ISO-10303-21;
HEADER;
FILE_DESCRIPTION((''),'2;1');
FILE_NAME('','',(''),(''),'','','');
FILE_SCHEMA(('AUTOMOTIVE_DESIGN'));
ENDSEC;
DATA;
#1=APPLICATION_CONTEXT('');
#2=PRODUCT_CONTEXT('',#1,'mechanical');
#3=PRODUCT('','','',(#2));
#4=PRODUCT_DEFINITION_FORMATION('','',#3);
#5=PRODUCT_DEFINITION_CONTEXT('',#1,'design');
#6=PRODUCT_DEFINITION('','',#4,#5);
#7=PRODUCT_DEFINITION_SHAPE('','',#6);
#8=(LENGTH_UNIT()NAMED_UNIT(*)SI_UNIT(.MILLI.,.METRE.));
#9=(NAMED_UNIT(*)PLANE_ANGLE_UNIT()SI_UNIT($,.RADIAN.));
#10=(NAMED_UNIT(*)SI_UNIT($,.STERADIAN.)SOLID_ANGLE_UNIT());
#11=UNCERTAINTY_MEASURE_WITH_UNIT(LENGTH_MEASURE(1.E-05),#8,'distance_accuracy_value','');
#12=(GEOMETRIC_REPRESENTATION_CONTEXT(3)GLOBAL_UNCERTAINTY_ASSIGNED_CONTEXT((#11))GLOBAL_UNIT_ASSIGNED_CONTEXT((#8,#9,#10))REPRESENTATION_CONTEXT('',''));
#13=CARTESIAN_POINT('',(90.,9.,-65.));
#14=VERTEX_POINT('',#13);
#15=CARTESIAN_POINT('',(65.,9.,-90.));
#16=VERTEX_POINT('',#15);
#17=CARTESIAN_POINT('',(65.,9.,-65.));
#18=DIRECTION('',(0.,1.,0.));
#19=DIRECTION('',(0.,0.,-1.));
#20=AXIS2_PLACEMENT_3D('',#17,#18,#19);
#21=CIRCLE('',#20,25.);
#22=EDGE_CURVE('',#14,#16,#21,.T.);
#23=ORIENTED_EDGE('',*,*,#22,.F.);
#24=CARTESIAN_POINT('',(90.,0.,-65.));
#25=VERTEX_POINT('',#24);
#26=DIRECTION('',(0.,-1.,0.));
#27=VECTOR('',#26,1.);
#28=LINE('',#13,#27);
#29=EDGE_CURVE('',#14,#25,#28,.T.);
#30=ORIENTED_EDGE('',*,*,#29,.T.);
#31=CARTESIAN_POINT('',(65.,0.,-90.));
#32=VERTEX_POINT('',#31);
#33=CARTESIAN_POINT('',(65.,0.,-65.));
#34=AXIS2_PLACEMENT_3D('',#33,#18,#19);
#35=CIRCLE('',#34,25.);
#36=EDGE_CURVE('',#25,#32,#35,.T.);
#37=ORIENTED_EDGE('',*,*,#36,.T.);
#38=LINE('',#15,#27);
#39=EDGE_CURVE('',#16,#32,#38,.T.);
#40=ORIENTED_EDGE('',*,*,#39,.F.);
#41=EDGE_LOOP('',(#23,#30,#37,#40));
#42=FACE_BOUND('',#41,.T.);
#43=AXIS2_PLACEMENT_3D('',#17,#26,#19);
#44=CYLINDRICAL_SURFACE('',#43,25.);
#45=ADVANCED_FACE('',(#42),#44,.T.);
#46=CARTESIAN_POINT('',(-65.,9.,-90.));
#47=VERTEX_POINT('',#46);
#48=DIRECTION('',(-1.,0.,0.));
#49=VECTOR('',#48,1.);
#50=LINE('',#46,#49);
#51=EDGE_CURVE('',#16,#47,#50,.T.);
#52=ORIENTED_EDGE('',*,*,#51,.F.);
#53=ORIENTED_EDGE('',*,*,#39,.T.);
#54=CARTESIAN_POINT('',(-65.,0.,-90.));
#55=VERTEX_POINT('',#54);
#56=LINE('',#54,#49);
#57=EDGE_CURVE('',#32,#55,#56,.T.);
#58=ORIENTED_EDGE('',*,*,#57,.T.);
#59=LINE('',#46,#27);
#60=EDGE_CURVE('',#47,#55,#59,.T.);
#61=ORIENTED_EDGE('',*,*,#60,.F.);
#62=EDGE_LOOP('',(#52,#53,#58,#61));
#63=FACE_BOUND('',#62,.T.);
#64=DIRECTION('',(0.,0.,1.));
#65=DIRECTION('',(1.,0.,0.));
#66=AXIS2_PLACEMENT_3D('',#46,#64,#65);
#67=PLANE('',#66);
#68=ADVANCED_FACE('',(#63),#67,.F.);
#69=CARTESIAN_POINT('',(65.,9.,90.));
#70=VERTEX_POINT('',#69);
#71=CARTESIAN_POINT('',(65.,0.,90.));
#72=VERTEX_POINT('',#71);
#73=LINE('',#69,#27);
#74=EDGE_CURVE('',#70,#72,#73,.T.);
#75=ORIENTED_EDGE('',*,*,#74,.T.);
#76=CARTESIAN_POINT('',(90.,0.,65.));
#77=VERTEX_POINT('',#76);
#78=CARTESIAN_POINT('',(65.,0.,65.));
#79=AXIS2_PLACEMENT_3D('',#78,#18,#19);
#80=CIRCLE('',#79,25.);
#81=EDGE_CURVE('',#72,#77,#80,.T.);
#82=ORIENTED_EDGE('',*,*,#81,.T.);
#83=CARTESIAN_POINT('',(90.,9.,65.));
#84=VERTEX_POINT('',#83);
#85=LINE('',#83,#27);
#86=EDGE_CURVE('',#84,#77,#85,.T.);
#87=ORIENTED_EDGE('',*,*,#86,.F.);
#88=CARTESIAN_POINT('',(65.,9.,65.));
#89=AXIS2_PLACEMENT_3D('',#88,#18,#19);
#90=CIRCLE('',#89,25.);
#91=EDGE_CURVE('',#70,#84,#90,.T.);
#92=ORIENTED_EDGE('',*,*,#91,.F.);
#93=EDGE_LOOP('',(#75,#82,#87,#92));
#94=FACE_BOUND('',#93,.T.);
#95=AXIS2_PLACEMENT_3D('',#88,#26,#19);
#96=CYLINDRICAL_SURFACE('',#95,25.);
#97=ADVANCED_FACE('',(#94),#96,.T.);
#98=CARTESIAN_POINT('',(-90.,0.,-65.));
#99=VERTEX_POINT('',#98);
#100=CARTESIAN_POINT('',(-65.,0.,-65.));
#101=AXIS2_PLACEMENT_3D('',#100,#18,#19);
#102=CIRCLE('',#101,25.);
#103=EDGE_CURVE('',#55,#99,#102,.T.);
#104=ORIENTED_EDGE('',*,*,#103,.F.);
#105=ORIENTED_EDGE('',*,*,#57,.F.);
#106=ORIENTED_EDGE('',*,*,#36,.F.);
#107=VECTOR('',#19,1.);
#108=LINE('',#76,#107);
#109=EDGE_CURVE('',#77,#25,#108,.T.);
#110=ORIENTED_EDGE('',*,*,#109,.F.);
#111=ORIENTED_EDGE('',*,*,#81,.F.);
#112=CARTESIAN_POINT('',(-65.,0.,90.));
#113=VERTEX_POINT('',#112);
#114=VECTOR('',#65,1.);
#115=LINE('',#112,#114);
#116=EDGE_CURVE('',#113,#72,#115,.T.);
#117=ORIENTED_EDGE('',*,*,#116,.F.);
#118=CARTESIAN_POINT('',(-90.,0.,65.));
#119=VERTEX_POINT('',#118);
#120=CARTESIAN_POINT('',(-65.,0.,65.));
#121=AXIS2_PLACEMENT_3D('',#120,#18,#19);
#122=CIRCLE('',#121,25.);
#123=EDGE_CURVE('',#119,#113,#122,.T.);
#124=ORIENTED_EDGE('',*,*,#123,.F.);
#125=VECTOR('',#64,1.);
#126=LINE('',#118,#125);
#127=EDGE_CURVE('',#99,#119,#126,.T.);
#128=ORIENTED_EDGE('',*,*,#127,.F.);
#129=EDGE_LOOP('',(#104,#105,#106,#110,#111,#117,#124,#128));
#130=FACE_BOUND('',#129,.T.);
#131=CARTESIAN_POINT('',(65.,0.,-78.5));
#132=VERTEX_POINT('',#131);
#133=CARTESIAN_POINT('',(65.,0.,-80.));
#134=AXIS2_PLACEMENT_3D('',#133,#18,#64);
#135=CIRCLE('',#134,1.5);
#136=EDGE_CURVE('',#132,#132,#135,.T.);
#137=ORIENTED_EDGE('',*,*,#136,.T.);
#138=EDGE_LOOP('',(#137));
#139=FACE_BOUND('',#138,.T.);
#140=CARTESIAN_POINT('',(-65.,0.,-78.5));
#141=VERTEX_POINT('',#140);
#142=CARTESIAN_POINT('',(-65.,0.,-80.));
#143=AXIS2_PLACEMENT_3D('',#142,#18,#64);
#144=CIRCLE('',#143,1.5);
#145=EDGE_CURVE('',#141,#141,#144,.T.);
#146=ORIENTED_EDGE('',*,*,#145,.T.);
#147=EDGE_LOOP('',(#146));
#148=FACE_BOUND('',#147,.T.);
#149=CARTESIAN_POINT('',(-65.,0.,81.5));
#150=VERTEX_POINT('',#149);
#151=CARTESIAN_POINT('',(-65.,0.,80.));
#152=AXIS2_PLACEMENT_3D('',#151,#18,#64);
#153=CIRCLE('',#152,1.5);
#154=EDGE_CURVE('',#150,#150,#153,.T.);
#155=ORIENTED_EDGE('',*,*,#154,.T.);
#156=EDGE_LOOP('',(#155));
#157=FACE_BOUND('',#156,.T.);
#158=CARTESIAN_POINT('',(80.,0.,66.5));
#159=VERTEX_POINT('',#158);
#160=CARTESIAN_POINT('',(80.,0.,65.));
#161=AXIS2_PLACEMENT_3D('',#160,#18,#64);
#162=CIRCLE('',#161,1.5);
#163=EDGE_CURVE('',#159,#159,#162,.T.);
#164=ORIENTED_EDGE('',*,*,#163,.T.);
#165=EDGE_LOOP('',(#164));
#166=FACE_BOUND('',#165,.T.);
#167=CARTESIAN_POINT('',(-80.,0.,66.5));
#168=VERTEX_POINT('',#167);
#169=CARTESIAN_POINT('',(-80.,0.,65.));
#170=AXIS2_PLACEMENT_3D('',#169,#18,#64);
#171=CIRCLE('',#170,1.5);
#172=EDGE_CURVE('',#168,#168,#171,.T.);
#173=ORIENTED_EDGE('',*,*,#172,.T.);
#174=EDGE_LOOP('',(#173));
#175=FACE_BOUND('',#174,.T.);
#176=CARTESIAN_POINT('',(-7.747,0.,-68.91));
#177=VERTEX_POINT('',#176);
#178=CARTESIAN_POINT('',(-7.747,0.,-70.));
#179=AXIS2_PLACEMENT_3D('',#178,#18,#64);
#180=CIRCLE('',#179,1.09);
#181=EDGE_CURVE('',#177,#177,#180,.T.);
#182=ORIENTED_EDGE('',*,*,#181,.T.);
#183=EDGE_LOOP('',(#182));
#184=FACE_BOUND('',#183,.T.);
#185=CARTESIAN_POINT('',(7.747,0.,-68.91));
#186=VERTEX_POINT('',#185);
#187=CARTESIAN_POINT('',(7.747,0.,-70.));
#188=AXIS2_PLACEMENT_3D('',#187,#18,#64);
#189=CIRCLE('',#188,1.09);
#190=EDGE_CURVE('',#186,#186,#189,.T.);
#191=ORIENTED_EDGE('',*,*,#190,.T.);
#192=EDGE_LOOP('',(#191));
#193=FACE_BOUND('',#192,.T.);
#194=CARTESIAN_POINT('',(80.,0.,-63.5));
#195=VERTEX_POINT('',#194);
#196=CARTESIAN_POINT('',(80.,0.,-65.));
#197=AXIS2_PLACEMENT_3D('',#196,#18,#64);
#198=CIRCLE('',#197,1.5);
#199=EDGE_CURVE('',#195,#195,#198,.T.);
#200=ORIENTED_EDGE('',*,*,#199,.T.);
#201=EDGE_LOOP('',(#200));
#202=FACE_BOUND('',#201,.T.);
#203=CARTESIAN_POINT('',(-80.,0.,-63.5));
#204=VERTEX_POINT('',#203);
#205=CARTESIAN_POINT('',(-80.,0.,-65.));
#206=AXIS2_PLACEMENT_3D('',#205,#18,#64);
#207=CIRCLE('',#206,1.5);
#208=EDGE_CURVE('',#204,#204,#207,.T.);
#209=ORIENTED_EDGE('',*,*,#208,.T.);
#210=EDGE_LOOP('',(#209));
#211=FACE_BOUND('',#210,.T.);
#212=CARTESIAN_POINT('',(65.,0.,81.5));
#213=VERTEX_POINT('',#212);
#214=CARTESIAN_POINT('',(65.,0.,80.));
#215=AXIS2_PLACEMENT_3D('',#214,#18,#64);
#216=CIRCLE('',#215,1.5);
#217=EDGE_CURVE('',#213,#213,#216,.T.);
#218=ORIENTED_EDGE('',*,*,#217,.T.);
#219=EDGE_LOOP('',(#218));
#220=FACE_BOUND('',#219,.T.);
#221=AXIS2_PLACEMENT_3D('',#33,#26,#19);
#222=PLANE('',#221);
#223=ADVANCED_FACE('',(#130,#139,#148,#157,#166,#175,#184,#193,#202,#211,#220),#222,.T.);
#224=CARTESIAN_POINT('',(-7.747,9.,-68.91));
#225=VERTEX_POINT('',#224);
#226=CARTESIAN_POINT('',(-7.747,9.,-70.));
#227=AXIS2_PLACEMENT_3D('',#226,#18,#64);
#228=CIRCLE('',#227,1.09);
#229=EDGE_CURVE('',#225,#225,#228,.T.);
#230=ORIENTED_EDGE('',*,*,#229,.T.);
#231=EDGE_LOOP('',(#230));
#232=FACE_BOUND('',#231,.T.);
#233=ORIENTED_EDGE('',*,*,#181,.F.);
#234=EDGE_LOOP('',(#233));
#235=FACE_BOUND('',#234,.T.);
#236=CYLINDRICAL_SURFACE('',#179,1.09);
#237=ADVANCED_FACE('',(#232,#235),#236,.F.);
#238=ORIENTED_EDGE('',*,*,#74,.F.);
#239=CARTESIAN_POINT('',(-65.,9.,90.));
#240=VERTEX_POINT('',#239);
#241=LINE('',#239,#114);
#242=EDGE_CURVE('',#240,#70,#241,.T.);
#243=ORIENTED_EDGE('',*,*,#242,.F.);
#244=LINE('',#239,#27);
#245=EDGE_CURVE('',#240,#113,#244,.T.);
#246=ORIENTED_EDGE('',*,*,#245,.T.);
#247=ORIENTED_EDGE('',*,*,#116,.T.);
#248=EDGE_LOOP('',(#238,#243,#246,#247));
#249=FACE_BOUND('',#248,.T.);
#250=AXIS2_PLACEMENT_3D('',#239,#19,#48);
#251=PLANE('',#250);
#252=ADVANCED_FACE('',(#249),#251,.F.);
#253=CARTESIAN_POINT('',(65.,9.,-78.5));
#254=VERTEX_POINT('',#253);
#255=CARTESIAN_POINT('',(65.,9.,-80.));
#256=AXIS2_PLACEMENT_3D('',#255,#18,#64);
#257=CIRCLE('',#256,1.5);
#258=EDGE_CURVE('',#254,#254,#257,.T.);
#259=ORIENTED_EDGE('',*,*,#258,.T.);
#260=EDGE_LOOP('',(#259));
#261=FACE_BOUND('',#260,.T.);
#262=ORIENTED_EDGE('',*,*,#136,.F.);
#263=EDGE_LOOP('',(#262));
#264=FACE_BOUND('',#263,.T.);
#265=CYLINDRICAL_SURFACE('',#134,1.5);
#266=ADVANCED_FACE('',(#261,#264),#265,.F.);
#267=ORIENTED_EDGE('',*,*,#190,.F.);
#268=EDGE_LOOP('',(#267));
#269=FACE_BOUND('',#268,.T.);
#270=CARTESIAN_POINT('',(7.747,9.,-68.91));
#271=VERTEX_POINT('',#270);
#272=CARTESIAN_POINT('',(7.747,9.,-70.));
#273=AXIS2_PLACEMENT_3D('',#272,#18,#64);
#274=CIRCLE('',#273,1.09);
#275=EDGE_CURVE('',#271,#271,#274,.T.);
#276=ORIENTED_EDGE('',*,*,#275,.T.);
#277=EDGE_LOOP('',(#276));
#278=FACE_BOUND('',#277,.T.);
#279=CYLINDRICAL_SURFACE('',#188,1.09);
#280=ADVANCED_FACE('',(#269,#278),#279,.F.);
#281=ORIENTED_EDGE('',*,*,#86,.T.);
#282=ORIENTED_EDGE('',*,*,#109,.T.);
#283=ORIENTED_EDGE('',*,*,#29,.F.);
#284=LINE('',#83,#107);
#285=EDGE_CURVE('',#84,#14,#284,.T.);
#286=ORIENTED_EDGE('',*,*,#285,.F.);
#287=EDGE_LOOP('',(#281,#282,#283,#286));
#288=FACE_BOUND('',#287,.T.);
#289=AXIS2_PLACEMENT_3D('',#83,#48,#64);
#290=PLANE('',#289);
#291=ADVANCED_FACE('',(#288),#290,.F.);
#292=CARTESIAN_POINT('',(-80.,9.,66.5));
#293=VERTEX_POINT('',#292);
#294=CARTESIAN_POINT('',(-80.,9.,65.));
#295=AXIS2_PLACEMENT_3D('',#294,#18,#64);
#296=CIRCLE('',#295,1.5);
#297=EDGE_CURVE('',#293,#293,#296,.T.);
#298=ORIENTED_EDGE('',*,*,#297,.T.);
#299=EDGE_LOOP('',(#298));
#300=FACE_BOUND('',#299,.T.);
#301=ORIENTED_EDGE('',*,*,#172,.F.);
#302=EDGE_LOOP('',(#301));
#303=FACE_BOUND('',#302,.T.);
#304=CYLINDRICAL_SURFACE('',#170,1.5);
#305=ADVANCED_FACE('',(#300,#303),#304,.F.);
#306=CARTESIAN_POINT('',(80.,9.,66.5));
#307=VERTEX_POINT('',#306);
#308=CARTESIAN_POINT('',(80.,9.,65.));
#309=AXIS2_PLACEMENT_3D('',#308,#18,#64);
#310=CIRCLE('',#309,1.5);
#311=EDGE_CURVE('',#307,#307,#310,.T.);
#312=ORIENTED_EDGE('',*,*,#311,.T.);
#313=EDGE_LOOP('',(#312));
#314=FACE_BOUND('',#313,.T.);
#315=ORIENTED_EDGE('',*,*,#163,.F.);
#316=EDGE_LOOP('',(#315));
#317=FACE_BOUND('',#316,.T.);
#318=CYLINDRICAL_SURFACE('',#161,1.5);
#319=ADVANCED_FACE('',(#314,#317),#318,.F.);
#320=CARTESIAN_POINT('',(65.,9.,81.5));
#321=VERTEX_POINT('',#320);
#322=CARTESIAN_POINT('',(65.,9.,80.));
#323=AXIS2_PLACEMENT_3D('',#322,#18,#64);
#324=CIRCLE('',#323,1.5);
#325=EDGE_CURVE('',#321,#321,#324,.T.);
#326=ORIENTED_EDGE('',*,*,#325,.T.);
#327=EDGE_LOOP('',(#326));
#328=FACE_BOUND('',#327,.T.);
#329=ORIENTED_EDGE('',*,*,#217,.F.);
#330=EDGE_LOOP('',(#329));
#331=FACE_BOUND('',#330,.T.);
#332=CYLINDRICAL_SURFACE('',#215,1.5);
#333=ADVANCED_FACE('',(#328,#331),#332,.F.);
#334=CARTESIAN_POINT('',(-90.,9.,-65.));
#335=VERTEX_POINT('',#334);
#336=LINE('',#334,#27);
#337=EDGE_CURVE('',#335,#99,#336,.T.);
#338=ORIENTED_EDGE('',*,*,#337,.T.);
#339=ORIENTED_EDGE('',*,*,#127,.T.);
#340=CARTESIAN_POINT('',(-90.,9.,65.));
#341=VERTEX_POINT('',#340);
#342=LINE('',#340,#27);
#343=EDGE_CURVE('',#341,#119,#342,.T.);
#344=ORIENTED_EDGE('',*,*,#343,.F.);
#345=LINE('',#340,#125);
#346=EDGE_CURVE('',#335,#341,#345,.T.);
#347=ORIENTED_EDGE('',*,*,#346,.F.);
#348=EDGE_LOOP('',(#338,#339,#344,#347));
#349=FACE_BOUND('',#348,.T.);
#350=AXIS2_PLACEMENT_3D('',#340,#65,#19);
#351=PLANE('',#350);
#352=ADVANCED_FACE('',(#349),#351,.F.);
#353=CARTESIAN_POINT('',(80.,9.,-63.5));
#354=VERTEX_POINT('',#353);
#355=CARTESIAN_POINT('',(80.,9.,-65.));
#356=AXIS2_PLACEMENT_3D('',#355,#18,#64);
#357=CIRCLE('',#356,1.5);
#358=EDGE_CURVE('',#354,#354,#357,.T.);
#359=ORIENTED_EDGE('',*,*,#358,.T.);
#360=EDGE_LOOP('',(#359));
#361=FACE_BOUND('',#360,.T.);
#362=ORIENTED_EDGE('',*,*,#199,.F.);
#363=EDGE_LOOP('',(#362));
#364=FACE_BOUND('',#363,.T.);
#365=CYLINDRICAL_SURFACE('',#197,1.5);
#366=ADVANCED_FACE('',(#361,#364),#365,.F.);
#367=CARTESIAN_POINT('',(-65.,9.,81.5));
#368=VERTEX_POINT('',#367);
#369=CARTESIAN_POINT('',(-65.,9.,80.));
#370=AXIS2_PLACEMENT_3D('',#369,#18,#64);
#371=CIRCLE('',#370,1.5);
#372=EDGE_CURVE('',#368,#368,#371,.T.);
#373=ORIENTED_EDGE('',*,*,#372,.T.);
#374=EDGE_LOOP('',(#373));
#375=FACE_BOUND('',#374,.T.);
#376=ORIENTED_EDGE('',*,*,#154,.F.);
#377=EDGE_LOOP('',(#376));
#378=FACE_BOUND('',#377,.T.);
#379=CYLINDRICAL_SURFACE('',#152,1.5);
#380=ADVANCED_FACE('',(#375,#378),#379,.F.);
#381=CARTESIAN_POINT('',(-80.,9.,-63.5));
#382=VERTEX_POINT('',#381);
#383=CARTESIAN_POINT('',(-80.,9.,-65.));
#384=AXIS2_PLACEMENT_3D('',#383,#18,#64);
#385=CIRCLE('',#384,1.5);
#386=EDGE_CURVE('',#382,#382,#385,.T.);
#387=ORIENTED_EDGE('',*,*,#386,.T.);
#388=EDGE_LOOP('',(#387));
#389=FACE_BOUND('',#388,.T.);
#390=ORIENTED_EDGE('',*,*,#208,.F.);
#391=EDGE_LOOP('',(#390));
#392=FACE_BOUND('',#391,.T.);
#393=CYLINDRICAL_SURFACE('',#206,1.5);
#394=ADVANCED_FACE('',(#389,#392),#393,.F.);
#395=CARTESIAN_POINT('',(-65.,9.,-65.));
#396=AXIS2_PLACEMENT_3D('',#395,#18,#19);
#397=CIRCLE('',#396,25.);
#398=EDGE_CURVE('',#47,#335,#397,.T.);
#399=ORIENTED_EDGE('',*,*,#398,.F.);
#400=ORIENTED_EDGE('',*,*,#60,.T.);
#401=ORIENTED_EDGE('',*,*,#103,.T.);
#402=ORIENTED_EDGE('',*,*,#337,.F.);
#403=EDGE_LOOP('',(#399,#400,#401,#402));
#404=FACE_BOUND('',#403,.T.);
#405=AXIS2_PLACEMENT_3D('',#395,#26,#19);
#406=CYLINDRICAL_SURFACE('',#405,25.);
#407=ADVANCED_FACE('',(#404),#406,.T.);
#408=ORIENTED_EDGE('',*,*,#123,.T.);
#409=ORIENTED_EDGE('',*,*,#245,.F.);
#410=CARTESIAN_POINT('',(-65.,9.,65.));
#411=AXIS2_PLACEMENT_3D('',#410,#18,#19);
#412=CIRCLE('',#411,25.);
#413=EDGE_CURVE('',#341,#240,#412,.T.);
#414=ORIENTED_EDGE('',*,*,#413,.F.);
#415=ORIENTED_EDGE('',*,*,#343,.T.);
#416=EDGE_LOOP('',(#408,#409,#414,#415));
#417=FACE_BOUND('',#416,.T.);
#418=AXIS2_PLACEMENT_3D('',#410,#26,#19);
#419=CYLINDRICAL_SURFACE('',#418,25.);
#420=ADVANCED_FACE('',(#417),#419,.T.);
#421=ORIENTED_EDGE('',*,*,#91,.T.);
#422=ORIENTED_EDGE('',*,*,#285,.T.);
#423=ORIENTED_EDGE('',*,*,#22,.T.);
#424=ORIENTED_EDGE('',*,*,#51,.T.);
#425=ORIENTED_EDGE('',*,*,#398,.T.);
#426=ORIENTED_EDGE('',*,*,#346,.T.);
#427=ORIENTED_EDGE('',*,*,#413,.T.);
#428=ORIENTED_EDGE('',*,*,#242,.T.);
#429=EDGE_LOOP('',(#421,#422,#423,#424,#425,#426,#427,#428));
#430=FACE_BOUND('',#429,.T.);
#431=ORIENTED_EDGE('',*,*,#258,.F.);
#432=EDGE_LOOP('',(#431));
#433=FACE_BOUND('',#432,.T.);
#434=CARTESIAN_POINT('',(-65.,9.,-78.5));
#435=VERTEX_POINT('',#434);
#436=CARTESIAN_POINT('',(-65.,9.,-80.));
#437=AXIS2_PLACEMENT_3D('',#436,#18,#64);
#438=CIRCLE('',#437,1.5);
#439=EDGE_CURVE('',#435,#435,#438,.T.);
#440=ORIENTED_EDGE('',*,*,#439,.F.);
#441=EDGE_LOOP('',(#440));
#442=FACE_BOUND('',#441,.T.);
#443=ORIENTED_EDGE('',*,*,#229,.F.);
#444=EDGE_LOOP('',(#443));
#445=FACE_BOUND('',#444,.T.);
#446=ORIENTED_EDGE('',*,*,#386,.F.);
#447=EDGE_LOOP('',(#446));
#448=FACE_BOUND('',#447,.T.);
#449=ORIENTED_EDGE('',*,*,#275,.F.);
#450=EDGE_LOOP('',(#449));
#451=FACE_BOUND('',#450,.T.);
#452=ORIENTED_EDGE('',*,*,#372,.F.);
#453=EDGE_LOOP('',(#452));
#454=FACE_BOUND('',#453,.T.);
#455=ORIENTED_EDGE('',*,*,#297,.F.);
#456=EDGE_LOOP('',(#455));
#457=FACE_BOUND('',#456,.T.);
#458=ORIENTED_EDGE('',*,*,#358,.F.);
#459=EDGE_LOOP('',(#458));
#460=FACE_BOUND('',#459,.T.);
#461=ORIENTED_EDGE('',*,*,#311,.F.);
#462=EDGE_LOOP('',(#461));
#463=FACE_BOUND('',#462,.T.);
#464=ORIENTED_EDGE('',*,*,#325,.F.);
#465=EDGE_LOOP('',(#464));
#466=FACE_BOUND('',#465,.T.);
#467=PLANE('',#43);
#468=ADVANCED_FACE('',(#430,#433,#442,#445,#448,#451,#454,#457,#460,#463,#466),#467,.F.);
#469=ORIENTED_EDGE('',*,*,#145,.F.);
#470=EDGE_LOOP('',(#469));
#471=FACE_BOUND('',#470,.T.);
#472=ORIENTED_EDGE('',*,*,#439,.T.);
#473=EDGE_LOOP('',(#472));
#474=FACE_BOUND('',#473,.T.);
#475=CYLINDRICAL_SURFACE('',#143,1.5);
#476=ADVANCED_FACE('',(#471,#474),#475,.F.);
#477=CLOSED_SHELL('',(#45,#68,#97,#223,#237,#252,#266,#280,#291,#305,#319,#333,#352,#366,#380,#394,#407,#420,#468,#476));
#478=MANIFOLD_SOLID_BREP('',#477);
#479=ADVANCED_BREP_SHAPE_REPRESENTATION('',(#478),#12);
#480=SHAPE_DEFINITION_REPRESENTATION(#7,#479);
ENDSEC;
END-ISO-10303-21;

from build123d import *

# Parameters (mm, degrees)
BOSS_EXTRUDE1_DEPTH = 9
SKETCH2_R           = 1.09
CUT_EXTRUDE1_DEPTH  = 128.597021909
SKETCH3_R           = 1.5
CUT_EXTRUDE2_DEPTH  = 128.597021909


with BuildPart() as part:
    # Sketch1 → Boss-Extrude1 (new body)
    with BuildSketch(Plane(origin=(0, 0, 0), x_dir=(1, 0, 0), z_dir=(0, 1, 0))):
        with BuildLine():
            Line((-65, -90), (65, -90))
            ThreePointArc((65, -90), (82.67766953, -82.67766953), (90, -65))
            Line((90, -65), (90, 65))
            ThreePointArc((90, 65), (82.67766953, 82.67766953), (65, 90))
            Line((65, 90), (-65, 90))
            ThreePointArc((-65, 90), (-82.67766953, 82.67766953), (-90, 65))
            Line((-90, 65), (-90, -65))
            ThreePointArc((-90, -65), (-82.67766953, -82.67766953), (-65, -90))
        make_face()
    extrude(amount=BOSS_EXTRUDE1_DEPTH)

    # Sketch2 → Cut-Extrude1 (cut, through all)
    with BuildSketch(Plane(origin=(0, 9, 0), x_dir=(1, 0, 0), z_dir=(0, 1, 0))):
        with Locations(Location((-7.747, 70, 0), (0, 0, 270))):
            Circle(SKETCH2_R)
        with Locations(Location((7.747, 70, 0), (0, 0, 270))):
            Circle(SKETCH2_R)
    extrude(amount=-CUT_EXTRUDE1_DEPTH, mode=Mode.SUBTRACT)

    # Sketch3 → Cut-Extrude2 (cut, through all)
    with BuildSketch(Plane(origin=(0, 9, 0), x_dir=(1, 0, 0), z_dir=(0, 1, 0))):
        with Locations(Location((-65, 80, 0), (0, 0, 270))):
            Circle(SKETCH3_R)
        with Locations(Location((-80, 65, 0), (0, 0, 270))):
            Circle(SKETCH3_R)
        with Locations(Location((80, 65, 0), (0, 0, 270))):
            Circle(SKETCH3_R)
        with Locations(Location((80, -65, 0), (0, 0, 270))):
            Circle(SKETCH3_R)
        with Locations(Location((65, 80, 0), (0, 0, 270))):
            Circle(SKETCH3_R)
        with Locations(Location((65, -80, 0), (0, 0, 270))):
            Circle(SKETCH3_R)
        with Locations(Location((-65, -80, 0), (0, 0, 270))):
            Circle(SKETCH3_R)
        with Locations(Location((-80, -65, 0), (0, 0, 270))):
            Circle(SKETCH3_R)
    extrude(amount=-CUT_EXTRUDE2_DEPTH, mode=Mode.SUBTRACT)


solid = part.part
